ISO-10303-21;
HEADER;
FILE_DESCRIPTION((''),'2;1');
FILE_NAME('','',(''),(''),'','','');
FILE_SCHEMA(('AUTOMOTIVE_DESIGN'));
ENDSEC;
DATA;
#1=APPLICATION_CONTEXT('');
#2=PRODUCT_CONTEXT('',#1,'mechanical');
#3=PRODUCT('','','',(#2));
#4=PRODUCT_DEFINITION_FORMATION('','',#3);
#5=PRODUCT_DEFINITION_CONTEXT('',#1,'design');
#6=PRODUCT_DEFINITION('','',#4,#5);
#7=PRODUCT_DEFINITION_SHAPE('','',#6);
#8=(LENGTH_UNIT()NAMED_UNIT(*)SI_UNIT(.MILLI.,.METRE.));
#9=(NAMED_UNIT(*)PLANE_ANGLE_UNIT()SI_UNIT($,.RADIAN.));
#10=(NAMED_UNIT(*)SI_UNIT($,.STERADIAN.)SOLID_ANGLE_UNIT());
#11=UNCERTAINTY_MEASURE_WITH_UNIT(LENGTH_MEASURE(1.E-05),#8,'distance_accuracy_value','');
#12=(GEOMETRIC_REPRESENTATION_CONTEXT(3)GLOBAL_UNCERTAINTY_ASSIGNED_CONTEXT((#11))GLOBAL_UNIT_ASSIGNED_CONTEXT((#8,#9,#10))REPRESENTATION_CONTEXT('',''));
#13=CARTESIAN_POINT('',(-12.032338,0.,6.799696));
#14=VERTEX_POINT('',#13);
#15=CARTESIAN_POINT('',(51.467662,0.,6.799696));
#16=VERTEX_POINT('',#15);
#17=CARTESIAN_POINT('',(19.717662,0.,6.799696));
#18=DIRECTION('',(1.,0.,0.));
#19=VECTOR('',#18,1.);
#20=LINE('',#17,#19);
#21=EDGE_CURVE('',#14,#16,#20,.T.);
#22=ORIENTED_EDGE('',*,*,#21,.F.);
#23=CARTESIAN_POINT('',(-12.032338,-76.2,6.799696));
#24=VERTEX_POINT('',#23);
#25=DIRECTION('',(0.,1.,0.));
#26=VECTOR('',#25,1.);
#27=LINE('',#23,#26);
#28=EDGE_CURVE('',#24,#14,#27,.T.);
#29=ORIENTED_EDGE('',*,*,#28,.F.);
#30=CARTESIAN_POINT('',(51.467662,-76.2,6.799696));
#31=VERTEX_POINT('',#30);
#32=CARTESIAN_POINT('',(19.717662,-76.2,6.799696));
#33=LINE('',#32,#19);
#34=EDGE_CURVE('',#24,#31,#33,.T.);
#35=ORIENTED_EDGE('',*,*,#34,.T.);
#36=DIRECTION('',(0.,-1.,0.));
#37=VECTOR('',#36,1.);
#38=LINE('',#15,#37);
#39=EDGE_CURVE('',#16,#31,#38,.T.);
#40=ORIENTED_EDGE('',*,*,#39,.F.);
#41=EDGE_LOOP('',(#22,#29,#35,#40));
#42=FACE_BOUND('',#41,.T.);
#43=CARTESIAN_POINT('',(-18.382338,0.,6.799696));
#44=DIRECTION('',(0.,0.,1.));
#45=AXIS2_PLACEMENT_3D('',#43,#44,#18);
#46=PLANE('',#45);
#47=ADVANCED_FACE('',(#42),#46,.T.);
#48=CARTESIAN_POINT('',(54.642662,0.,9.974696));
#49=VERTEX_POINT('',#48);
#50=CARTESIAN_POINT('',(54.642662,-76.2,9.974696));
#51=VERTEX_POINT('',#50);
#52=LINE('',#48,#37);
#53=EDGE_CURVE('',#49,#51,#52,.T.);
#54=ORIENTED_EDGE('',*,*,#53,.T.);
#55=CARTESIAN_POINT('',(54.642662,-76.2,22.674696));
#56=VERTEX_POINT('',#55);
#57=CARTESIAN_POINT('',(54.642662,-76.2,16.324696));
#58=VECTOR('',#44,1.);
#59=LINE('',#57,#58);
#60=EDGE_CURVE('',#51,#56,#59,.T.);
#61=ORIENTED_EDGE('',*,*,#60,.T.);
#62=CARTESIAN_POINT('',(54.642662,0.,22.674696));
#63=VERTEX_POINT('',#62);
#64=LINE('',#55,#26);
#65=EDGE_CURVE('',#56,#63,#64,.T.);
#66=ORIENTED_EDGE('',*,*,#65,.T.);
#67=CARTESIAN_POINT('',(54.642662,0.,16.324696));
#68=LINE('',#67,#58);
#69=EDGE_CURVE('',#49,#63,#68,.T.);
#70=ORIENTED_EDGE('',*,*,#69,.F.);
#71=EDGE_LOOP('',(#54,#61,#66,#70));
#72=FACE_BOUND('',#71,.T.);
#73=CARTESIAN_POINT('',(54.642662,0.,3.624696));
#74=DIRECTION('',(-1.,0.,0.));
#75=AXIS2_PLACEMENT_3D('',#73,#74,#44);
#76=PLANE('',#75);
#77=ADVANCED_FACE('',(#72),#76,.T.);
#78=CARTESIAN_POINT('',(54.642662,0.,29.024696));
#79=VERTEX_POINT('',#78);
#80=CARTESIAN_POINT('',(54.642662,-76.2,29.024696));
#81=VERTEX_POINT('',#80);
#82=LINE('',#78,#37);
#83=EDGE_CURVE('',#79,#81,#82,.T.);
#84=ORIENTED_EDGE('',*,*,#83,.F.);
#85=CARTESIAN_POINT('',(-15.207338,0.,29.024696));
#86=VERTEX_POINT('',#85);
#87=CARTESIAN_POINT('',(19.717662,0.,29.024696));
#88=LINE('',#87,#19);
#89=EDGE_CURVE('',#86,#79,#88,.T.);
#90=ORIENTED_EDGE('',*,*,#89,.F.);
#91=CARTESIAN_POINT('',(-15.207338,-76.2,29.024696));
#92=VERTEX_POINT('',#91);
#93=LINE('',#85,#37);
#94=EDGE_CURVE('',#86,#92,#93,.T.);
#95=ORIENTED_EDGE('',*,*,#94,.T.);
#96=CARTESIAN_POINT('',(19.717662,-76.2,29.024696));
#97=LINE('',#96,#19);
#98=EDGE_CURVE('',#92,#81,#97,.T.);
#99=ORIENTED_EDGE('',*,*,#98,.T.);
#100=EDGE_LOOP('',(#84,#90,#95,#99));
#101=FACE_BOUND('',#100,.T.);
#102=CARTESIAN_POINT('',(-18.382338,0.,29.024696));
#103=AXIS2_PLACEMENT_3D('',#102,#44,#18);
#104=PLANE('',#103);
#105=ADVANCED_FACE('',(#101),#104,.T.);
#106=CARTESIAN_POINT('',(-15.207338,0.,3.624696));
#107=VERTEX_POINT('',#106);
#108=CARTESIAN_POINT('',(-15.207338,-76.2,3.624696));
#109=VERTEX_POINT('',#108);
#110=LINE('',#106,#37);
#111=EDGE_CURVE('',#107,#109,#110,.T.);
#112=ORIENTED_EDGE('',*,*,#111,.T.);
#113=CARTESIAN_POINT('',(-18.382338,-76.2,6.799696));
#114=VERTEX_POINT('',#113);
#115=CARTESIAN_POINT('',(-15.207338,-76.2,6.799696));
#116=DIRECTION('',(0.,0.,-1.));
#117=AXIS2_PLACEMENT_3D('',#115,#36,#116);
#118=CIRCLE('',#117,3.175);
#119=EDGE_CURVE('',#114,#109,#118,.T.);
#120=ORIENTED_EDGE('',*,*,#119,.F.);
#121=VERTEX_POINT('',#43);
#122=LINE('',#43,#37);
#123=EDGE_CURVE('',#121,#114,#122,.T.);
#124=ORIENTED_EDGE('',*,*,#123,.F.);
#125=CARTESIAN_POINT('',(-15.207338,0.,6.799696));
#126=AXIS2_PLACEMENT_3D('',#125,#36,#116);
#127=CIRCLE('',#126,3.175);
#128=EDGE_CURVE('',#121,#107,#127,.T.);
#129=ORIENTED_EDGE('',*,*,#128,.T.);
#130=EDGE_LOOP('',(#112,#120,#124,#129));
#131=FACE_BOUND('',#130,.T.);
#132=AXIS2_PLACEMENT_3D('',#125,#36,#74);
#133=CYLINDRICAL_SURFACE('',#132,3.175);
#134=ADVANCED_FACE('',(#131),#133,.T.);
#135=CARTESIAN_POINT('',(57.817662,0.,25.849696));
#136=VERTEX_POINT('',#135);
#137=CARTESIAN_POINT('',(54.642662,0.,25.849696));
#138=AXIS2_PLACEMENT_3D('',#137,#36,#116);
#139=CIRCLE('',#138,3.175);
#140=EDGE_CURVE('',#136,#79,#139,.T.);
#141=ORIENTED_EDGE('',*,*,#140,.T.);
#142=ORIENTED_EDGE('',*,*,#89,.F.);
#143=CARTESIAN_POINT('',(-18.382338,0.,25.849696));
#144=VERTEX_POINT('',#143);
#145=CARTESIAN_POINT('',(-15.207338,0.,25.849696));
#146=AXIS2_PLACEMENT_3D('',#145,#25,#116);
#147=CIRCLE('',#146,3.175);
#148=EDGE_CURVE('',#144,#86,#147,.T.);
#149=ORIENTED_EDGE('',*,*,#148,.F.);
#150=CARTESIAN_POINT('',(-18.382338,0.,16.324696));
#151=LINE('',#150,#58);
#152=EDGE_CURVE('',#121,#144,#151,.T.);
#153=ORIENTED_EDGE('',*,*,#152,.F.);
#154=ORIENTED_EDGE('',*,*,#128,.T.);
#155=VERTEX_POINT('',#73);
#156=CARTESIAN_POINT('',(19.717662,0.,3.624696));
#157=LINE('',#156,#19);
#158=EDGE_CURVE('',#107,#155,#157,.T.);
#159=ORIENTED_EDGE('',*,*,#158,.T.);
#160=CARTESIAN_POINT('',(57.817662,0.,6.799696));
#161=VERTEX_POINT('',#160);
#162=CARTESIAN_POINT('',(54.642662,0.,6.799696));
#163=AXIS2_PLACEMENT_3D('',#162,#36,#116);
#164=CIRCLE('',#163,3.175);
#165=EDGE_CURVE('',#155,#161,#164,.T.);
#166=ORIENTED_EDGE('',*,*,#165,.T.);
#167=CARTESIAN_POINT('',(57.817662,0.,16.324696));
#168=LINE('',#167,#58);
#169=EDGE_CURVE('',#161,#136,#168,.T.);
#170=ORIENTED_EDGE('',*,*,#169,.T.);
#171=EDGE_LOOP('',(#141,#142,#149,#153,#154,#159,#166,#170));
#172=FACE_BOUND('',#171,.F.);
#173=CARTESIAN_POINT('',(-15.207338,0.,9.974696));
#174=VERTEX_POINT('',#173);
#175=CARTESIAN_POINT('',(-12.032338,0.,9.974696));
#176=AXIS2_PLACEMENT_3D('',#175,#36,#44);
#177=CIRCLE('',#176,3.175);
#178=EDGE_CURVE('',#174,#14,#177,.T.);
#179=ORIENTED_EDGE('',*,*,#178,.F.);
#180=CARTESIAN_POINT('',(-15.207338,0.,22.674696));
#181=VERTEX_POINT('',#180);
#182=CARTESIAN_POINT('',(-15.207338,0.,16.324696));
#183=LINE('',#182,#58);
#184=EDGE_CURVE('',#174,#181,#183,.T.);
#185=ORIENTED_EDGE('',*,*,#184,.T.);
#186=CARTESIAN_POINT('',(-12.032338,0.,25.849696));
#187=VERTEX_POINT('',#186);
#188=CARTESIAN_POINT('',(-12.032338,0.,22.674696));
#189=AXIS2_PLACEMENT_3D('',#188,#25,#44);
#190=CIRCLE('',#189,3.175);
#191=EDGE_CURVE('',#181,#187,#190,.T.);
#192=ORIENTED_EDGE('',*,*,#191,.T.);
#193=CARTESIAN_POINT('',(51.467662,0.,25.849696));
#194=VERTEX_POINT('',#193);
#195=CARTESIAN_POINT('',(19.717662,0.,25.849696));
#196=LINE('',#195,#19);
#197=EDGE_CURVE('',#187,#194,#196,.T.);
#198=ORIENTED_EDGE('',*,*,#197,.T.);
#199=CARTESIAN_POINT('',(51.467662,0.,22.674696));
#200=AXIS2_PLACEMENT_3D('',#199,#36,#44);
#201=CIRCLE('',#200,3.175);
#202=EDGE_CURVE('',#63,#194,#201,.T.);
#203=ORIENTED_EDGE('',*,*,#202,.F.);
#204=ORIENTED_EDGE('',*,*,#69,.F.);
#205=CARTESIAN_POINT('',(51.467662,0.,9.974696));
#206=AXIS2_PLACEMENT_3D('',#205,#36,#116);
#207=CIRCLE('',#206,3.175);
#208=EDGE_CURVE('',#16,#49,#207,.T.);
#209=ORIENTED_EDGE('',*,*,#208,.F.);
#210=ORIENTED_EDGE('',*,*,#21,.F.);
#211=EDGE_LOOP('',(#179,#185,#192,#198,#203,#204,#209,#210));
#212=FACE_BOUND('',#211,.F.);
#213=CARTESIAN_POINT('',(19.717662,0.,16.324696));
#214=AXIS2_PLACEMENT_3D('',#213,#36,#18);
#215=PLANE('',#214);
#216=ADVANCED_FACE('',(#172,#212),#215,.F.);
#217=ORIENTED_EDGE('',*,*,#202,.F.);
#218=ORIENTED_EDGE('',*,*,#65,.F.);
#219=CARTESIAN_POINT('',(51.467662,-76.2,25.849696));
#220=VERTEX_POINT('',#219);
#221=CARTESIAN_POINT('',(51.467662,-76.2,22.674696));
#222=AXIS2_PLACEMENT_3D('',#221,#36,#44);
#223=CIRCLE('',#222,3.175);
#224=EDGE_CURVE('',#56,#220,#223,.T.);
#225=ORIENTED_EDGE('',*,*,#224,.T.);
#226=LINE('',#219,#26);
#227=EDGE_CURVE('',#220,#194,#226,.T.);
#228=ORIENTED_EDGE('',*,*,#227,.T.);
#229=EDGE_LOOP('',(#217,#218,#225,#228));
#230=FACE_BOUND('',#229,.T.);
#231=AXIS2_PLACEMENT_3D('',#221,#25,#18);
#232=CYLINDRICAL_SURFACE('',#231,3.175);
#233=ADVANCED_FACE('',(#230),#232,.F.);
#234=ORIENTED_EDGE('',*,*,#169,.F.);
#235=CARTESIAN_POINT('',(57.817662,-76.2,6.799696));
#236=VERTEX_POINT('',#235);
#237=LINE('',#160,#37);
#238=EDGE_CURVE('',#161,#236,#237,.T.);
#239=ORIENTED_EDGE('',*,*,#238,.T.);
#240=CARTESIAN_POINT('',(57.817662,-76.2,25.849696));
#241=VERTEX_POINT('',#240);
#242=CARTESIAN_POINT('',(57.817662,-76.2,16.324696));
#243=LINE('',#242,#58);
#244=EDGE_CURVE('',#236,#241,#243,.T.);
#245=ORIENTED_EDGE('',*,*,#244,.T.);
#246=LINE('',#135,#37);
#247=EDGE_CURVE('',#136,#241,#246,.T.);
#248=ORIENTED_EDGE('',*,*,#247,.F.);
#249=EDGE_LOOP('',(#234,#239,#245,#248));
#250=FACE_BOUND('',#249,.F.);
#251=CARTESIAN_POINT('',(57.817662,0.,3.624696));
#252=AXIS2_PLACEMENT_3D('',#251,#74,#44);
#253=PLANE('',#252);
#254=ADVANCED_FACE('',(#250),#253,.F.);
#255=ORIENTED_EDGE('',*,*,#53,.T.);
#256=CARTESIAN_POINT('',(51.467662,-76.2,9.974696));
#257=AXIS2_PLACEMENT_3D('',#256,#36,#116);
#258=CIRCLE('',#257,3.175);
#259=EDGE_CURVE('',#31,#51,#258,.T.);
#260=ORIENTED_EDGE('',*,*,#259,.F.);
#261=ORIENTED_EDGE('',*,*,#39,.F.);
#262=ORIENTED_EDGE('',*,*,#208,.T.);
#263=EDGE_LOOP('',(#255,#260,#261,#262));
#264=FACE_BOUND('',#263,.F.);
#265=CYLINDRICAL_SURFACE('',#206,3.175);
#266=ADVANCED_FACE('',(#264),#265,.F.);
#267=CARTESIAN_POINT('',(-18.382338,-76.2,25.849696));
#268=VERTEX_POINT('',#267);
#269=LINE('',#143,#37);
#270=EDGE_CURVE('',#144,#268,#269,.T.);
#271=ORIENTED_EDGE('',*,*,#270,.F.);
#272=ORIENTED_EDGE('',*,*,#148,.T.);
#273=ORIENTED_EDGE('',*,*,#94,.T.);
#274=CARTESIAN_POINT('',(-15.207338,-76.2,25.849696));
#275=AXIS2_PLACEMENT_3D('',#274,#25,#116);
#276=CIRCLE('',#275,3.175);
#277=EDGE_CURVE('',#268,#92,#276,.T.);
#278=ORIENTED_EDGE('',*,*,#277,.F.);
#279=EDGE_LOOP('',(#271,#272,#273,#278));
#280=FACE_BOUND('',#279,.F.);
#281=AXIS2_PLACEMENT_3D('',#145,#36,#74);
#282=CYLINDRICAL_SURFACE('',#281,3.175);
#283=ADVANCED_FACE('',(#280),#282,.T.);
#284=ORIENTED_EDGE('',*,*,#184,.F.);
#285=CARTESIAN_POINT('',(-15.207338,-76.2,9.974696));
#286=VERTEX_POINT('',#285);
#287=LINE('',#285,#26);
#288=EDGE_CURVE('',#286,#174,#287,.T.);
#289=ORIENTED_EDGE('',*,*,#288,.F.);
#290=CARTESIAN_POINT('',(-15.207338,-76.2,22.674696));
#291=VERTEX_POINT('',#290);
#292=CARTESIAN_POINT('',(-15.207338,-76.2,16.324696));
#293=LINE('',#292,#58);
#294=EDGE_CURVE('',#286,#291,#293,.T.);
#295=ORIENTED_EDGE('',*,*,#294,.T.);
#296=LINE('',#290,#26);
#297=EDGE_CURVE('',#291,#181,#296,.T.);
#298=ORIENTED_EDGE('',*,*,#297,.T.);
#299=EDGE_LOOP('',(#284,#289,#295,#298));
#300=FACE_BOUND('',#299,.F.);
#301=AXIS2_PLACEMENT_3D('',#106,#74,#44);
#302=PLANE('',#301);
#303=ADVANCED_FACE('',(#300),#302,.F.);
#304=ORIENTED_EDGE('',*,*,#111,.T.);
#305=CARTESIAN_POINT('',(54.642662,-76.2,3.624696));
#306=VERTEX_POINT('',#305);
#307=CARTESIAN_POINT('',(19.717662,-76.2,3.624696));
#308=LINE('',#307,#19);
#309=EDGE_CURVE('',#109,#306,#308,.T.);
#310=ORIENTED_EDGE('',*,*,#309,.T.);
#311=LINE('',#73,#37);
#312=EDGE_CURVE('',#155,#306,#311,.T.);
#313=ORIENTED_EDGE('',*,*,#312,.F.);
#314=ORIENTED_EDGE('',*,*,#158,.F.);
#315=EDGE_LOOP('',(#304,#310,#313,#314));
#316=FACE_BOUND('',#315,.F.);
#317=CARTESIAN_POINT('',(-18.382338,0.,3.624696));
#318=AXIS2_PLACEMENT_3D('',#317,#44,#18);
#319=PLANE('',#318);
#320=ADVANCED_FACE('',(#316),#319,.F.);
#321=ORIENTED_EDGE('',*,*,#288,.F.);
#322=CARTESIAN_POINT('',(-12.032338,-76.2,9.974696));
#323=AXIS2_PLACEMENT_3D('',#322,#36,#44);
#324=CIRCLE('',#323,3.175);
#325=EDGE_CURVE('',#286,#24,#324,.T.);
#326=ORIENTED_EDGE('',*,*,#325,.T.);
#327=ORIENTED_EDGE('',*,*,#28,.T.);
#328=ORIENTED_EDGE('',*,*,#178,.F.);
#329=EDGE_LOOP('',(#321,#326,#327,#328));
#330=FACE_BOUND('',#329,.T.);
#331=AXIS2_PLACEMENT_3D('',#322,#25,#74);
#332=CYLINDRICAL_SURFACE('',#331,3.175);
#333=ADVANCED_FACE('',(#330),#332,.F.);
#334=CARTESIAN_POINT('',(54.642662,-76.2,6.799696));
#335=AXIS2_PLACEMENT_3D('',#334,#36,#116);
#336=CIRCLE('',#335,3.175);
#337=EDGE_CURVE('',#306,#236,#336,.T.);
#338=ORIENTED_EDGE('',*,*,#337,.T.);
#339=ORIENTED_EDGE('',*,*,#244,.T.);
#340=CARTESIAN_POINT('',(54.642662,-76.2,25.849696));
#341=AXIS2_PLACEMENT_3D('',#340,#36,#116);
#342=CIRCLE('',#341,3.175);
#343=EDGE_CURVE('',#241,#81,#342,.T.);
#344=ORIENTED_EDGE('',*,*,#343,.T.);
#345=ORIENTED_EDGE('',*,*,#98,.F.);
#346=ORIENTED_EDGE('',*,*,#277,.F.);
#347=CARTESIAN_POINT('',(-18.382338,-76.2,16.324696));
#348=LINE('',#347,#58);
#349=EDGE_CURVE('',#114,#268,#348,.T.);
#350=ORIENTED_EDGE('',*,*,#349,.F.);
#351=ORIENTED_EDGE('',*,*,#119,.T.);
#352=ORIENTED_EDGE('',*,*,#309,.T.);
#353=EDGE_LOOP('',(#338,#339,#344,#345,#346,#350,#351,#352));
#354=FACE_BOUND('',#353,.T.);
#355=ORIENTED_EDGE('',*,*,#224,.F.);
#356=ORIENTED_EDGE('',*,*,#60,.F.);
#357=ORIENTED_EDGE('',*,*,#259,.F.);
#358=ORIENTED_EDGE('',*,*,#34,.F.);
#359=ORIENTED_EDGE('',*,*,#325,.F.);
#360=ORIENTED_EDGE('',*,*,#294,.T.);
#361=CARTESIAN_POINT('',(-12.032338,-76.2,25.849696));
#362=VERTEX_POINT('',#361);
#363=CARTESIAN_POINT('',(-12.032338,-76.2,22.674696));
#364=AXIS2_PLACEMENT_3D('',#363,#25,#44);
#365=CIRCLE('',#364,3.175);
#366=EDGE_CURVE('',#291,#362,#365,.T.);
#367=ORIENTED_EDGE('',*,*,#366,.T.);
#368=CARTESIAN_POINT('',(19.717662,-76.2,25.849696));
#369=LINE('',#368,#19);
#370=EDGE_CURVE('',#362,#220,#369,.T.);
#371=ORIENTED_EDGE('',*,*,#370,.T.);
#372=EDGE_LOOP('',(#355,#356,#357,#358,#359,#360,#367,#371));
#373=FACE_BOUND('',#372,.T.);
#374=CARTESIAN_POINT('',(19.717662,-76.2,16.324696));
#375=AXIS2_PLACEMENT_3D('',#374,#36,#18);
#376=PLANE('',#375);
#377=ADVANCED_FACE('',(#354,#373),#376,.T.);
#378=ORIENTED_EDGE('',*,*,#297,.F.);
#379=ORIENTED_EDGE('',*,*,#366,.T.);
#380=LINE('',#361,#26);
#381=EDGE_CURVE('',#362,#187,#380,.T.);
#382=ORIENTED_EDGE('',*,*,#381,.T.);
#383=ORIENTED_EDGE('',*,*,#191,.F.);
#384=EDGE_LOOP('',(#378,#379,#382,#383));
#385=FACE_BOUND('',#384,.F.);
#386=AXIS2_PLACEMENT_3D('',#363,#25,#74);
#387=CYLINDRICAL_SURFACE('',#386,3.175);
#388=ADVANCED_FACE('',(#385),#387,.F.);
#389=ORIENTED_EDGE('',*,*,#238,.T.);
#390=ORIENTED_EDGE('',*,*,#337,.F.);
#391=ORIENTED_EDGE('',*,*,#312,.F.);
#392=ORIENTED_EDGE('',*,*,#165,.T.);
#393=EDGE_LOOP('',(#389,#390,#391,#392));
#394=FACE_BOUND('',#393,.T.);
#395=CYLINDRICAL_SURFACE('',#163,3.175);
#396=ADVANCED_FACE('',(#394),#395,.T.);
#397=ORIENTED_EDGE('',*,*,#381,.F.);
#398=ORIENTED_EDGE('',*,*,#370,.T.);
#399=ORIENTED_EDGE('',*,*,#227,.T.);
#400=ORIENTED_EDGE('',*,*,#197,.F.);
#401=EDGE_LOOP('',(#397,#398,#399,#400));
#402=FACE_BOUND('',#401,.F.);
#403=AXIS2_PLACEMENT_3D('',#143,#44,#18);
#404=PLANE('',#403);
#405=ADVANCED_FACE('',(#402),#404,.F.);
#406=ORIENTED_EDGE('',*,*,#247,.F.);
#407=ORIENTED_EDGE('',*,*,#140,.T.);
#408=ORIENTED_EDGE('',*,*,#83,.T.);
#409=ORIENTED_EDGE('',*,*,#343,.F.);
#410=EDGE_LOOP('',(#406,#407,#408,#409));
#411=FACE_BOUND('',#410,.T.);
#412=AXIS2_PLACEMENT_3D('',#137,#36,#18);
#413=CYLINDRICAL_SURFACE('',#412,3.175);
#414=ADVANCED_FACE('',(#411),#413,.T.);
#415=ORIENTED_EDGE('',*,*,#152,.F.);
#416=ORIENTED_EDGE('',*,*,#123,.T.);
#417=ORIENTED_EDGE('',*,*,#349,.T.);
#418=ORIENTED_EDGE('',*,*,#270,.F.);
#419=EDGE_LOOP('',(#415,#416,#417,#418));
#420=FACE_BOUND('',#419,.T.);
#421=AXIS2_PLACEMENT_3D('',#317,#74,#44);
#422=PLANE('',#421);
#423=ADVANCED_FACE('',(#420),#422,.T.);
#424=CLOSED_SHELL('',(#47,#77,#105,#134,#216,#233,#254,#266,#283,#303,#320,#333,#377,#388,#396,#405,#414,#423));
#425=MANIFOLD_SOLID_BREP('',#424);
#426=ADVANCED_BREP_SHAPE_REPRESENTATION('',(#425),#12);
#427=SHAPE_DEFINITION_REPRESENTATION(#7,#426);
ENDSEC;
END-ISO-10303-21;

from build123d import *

# Parameters (mm, degrees)
F0_W     = 76.2
F0_H     = 25.4
F1_DEPTH = 76.2
F2_T     = -3.175
F3_R     = 3.175


with BuildPart() as f1:
    # F0 (on Front) → F1 (new body)
    with BuildSketch(Plane.XZ):
        with Locations((19.7176617778, 16.3246961311)):
            Rectangle(F0_W, F0_H)
    extrude(amount=F1_DEPTH)

    # F2
    f2_openings = [f1.faces().sort_by_distance(p)[0] for p in [
        (19.717662, -76.2, 16.324696),
        (19.717662, 0, 16.324696),
    ]]
    offset(amount=F2_T, openings=f2_openings)

    # F3
    f3_edges = [f1.edges().sort_by_distance(p)[0] for p in [
        (-18.382338, -38.1, 29.024696),
        (-15.207338, -38.1, 25.849696),
        (-15.207338, -38.1, 6.799696),
        (54.642662, -38.1, 6.799696),
        (54.642662, -38.1, 25.849696),
        (-18.382338, -38.1, 3.624696),
        (57.817662, -38.1, 29.024696),
        (57.817662, -38.1, 3.624696),
    ]]
    fillet(f3_edges, radius=F3_R)


solid = f1.part
